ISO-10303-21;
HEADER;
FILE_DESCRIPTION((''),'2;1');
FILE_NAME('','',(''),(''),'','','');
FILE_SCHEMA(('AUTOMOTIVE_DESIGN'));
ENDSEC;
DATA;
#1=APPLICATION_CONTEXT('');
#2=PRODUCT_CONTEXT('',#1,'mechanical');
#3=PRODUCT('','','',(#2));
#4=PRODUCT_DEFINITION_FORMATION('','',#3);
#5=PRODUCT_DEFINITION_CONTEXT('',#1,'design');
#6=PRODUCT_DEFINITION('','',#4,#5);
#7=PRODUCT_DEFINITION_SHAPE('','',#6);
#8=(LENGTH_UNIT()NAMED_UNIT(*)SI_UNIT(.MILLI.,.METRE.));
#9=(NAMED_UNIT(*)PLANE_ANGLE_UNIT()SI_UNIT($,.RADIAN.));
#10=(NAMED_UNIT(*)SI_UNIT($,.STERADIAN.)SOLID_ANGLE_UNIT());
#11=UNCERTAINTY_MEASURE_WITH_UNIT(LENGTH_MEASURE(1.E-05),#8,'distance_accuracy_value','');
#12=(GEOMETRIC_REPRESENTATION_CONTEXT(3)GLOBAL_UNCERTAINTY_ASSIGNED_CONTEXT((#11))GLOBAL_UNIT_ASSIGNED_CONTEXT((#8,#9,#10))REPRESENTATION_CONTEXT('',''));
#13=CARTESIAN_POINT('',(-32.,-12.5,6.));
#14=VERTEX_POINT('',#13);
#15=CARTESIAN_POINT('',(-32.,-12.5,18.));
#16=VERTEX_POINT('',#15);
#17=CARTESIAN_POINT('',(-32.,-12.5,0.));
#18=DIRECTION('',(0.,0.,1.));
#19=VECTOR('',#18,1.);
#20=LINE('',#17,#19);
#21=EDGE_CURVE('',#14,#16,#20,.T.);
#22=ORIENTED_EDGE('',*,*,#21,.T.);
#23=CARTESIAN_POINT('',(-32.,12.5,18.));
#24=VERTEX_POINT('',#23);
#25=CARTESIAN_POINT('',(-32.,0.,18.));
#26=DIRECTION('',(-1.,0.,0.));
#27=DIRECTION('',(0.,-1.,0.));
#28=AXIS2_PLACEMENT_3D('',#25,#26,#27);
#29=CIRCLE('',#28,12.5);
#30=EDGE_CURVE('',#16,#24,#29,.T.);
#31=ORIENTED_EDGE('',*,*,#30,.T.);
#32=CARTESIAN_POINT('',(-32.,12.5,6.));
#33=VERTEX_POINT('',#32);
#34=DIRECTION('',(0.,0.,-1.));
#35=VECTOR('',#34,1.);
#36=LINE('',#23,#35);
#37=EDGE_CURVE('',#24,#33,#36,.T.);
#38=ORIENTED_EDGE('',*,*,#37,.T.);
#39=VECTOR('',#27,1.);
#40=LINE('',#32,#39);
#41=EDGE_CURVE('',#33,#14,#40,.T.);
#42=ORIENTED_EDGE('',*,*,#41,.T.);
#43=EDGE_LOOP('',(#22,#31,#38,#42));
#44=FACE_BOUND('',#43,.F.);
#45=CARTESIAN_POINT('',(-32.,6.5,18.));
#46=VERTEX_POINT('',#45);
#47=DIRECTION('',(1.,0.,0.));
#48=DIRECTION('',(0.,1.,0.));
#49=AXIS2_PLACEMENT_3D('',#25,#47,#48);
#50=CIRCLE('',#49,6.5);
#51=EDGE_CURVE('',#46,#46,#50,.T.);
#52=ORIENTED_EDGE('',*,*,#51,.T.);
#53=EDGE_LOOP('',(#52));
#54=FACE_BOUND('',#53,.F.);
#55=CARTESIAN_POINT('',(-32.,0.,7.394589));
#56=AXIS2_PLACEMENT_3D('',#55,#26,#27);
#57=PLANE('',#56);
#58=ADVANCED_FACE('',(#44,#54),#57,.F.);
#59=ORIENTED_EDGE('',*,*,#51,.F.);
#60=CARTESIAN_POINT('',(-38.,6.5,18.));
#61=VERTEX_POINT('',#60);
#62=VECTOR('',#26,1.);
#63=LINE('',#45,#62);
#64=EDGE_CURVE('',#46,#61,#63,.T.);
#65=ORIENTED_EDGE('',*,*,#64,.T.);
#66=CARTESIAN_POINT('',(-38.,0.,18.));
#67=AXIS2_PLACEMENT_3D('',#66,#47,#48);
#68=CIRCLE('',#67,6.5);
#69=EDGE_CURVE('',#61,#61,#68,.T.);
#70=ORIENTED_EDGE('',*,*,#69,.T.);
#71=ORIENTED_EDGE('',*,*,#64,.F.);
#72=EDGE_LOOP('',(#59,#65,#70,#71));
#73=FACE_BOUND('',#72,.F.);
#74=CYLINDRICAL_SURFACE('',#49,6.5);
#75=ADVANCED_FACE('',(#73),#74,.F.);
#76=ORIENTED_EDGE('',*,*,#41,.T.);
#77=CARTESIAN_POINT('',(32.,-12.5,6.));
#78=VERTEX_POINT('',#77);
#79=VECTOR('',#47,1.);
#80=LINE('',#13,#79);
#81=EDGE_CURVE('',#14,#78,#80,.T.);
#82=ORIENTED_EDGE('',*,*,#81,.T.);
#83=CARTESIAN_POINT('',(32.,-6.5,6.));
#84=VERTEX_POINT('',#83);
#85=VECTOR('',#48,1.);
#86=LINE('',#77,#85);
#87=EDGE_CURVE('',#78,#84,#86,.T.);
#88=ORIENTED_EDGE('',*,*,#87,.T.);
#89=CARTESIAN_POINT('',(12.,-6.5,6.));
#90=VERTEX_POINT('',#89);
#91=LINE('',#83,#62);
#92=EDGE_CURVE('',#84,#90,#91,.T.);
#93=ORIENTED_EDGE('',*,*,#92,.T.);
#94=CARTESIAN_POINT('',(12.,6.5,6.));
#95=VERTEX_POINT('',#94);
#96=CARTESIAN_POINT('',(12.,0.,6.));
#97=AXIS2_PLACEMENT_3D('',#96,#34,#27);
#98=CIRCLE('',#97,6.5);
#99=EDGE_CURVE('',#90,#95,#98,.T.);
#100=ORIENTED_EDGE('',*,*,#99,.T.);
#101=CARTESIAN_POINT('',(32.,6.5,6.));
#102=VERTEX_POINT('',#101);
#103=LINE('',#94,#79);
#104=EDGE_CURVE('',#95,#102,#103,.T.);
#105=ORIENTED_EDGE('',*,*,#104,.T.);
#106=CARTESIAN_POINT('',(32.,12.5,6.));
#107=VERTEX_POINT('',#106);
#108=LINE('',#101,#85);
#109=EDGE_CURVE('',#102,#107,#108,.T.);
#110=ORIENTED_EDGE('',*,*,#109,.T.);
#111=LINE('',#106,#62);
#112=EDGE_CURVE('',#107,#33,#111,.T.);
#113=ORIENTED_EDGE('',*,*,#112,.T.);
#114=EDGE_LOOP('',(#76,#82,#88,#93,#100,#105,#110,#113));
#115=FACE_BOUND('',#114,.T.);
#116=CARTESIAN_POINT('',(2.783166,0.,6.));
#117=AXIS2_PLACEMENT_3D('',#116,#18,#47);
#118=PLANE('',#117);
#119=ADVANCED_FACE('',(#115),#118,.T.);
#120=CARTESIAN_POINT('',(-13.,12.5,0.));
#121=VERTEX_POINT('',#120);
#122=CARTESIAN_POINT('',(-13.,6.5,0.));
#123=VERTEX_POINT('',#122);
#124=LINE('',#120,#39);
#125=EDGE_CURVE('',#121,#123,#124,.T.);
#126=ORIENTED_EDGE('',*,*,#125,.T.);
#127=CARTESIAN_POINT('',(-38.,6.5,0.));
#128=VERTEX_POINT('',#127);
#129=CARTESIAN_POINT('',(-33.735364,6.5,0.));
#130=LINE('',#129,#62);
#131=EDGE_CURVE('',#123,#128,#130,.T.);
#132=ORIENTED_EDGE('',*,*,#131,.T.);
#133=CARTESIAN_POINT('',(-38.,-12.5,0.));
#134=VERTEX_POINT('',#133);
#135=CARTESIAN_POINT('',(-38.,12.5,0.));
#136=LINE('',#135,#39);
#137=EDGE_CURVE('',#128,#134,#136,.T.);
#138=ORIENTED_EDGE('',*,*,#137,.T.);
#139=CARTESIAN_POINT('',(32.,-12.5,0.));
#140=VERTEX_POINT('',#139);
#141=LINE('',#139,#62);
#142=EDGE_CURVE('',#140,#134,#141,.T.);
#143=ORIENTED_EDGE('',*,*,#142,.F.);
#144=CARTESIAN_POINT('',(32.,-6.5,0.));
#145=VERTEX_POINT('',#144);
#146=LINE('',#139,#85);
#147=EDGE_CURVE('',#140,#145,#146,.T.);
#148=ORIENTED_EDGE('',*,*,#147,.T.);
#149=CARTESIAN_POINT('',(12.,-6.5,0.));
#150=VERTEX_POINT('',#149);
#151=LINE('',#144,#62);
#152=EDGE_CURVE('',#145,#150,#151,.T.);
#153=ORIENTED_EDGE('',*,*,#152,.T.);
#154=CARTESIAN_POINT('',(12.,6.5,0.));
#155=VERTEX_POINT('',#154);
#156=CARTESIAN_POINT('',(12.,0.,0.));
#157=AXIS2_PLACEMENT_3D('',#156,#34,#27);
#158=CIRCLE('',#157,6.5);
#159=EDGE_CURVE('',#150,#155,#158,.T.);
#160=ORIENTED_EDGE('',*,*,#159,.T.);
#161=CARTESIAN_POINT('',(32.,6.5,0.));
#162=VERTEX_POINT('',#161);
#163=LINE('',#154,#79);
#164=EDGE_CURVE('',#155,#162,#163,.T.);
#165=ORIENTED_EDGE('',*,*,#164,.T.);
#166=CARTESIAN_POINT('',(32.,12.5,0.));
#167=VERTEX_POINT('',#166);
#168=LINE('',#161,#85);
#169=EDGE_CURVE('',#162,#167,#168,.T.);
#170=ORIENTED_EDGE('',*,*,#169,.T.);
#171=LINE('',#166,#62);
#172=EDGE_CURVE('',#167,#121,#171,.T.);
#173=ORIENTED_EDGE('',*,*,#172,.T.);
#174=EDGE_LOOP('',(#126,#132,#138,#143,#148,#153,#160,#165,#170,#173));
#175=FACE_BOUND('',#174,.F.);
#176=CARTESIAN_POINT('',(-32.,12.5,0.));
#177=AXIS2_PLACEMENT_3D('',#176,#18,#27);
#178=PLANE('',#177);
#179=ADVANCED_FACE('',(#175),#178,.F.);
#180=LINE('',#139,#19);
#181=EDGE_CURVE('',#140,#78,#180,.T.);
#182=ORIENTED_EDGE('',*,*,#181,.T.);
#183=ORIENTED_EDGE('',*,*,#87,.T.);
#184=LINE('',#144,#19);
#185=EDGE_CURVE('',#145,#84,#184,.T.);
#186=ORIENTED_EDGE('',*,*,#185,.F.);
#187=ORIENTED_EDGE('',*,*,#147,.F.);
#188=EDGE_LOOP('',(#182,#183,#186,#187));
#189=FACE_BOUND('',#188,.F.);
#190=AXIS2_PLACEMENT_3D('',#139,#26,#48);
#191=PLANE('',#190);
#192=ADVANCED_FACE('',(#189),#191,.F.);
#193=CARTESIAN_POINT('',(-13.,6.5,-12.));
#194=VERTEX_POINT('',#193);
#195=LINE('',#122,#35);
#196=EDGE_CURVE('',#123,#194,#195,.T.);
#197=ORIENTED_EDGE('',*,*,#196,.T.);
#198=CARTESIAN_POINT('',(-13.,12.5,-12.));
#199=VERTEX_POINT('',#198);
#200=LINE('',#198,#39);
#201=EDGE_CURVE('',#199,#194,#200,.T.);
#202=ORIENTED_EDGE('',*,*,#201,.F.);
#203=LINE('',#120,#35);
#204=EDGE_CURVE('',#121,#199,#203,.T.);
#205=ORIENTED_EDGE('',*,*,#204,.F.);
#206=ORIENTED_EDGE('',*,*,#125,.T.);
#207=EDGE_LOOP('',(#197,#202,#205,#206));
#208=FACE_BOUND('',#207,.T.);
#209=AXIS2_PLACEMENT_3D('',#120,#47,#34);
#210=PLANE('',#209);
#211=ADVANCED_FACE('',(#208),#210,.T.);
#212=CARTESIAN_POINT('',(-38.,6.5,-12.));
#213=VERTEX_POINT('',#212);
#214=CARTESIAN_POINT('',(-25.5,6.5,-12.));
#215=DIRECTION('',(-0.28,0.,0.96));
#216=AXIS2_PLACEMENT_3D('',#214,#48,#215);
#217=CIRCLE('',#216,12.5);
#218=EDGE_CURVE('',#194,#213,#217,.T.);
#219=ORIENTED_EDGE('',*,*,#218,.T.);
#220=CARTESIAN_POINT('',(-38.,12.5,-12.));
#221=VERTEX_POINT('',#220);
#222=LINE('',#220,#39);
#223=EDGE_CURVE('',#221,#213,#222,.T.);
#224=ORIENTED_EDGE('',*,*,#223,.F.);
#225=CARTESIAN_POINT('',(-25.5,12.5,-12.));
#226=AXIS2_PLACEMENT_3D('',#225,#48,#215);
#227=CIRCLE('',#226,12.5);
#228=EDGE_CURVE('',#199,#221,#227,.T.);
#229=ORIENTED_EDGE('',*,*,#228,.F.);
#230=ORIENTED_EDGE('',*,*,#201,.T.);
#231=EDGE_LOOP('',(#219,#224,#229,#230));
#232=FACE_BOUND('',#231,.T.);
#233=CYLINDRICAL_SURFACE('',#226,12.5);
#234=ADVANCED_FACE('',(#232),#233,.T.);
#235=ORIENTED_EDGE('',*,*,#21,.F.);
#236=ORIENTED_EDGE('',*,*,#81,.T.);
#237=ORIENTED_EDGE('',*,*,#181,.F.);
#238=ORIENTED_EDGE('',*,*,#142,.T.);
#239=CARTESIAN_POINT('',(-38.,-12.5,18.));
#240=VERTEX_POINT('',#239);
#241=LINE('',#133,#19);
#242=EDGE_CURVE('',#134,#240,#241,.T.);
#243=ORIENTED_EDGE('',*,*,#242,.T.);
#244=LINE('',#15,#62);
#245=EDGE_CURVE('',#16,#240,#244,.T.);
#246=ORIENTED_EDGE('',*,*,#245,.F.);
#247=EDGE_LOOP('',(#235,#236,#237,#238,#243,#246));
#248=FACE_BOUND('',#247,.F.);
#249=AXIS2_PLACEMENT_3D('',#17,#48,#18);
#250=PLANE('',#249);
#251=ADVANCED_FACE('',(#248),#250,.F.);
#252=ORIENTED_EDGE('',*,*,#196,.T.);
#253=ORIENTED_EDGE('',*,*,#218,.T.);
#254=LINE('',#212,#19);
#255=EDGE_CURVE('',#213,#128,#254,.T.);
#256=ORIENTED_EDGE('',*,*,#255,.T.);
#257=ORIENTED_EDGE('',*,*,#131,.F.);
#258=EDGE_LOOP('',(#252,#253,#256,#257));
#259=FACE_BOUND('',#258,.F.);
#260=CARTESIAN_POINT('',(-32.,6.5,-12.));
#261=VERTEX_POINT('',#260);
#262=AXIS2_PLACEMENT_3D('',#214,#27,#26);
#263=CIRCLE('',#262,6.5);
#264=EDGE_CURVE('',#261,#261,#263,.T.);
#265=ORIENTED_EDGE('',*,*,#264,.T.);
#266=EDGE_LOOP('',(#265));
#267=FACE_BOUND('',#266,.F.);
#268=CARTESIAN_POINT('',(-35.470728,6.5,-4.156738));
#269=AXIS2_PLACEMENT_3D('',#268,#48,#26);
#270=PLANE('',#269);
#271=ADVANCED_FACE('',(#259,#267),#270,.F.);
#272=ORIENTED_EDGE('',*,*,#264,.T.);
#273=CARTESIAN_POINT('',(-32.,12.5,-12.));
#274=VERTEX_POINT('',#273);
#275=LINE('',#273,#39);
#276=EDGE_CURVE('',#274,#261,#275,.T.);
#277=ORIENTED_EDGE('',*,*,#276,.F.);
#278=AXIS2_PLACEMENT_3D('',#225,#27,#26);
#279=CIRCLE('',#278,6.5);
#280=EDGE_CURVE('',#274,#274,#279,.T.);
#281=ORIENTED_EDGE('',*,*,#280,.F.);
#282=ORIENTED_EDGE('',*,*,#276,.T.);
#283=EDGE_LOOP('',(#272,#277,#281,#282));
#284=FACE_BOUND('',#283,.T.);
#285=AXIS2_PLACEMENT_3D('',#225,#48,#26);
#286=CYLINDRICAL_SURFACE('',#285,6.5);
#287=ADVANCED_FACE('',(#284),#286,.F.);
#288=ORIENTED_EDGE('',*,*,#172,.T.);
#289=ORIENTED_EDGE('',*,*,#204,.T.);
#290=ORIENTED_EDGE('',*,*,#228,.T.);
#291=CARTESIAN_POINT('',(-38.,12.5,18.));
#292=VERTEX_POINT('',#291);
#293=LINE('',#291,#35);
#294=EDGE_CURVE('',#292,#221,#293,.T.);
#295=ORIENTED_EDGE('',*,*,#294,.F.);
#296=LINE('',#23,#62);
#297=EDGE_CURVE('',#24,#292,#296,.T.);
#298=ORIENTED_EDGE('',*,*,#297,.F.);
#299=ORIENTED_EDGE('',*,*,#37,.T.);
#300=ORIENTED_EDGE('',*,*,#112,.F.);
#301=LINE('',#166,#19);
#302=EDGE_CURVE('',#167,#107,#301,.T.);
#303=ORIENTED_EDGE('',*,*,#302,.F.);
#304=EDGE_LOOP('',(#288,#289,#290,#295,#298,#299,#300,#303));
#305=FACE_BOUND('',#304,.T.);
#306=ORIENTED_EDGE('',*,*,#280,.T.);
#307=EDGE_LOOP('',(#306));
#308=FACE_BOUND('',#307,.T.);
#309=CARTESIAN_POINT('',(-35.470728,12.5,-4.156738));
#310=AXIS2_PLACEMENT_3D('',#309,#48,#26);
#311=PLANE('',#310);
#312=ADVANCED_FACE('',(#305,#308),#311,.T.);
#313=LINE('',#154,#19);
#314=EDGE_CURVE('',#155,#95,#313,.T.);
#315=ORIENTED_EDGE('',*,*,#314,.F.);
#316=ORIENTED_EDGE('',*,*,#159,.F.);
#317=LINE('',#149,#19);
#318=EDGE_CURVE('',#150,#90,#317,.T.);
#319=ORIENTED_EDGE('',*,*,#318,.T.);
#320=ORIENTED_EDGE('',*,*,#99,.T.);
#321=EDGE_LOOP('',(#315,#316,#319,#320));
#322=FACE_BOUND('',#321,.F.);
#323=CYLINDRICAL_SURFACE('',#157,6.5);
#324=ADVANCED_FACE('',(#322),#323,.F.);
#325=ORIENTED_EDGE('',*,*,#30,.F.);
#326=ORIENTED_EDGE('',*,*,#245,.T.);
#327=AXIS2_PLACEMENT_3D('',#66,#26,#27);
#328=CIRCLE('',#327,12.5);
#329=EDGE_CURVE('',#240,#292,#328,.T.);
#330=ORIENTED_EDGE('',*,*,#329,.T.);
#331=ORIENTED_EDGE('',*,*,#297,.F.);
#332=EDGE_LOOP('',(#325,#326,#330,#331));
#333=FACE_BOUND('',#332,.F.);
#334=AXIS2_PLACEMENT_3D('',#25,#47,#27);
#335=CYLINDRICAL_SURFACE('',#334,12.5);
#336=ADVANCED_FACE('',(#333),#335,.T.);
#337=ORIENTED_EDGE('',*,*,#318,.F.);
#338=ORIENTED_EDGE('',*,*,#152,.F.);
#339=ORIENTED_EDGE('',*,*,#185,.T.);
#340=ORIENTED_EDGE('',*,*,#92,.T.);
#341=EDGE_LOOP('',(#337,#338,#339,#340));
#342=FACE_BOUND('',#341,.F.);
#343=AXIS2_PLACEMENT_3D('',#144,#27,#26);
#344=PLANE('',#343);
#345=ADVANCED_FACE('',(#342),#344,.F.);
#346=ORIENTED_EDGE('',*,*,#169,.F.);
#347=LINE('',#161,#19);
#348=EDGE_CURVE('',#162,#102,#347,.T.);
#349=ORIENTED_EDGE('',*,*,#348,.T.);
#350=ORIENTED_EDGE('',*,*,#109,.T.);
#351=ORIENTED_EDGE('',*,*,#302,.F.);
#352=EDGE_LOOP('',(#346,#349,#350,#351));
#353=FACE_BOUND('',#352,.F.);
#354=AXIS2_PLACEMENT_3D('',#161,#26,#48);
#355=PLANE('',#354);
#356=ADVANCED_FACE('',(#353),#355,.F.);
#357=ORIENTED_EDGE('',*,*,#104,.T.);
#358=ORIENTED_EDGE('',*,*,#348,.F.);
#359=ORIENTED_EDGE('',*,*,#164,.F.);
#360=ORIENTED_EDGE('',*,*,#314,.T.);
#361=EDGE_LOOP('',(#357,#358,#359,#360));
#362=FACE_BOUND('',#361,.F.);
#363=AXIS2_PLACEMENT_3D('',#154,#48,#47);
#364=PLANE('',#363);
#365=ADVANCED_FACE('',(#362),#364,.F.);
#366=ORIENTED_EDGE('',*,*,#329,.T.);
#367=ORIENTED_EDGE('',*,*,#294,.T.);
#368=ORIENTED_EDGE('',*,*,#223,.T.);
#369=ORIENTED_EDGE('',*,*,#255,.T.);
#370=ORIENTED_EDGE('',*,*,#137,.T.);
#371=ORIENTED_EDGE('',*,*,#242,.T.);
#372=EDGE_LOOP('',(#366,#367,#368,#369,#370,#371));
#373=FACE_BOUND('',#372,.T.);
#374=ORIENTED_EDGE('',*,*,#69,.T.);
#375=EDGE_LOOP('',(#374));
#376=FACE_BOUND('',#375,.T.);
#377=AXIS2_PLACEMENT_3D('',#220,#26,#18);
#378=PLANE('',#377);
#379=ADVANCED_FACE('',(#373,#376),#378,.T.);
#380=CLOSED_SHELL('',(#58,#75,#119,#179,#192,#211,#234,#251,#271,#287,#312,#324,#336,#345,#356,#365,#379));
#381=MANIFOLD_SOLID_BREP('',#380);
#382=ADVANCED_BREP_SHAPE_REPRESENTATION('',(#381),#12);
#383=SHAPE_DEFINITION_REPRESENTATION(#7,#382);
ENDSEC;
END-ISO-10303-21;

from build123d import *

# Parameters (mm, degrees)
F1_DEPTH = 6
F3_DEPTH = 6
F5_DEPTH = 6


with BuildPart() as f1:
    # F0 (on Top) → F1 (new body)
    with BuildSketch(Plane.XY):
        with BuildLine():
            Line((32, 6.5), (32, 12.5))
            Line((32, 12.5), (-32, 12.5))
            Line((-32, 12.5), (-32, -12.5))
            Line((-32, -12.5), (32, -12.5))
            Line((32, -12.5), (32, -6.5))
            Line((32, -6.5), (12, -6.5))
            ThreePointArc((12, -6.5), (5.5, 0), (12, 6.5))
            Line((12, 6.5), (32, 6.5))
        make_face()
    extrude(amount=F1_DEPTH)

    # F2 (on face) → F3 (join)
    with BuildSketch(Plane(origin=(-32, 0, 0), x_dir=(0, -1, 0), z_dir=(-1, 0, 0))):
        with BuildLine():
            Line((-12.5, 18), (-12.5, 0))
            Line((-12.5, 0), (12.5, 0))
            Line((12.5, 0), (12.5, 18))
            ThreePointArc((12.5, 18), (0, 5.5), (-12.5, 18))
        make_face()
        with BuildLine():
            ThreePointArc((12.5, 18), (0, 30.5), (-12.5, 18))
            Line((-12.5, 18), (-6.5, 18))
            ThreePointArc((-6.5, 18), (0, 24.5), (6.5, 18))
            Line((6.5, 18), (12.5, 18))
        make_face()
        with BuildLine():
            Line((-6.5, 18), (-12.5, 18))
            ThreePointArc((-12.5, 18), (0, 5.5), (12.5, 18))
            Line((12.5, 18), (6.5, 18))
            ThreePointArc((6.5, 18), (0, 11.5), (-6.5, 18))
        make_face()
    extrude(amount=F3_DEPTH)

    # F4 (on face) → F5 (join)
    with BuildSketch(Plane(origin=(0, 12.5, 0), x_dir=(-1, 0, 0), z_dir=(0, 1, 0))):
        with BuildLine():
            Line((38, -12), (38, 0))
            Line((38, 0), (29, 0))
            ThreePointArc((29, 0), (35.5, -4.5), (38, -12))
        make_face()
        with BuildLine():
            ThreePointArc((38, -12), (35.5, -4.5), (29, 0))
            Line((29, 0), (22, 0))
            ThreePointArc((22, 0), (15.5, -4.5), (13, -12))
            Line((13, -12), (19, -12))
            ThreePointArc((19, -12), (25.5, -5.5), (32, -12))
            Line((32, -12), (38, -12))
        make_face()
        with BuildLine():
            Line((22, 0), (29, 0))
            ThreePointArc((29, 0), (25.5, 0.5), (22, 0))
        make_face()
        with BuildLine():
            ThreePointArc((13, -12), (25.5, -24.5), (38, -12))
            Line((38, -12), (32, -12))
            ThreePointArc((32, -12), (25.5, -18.5), (19, -12))
            Line((19, -12), (13, -12))
        make_face()
        with BuildLine():
            ThreePointArc((13, -12), (15.5, -4.5), (22, 0))
            Line((22, 0), (13, 0))
            Line((13, 0), (13, -12))
        make_face()
        with BuildLine():
            Line((29, 0), (38, 0))
            Line((38, 0), (38, 18))
            Line((38, 18), (32, 18))
            Line((32, 18), (32, 6))
            Line((32, 6), (-32, 6))
            Line((-32, 6), (-32, 0))
            Line((-32, 0), (13, 0))
            Line((13, 0), (22, 0))
            ThreePointArc((22, 0), (25.5, 0.5), (29, 0))
        make_face()
    extrude(amount=-F5_DEPTH)


solid = f1.part
